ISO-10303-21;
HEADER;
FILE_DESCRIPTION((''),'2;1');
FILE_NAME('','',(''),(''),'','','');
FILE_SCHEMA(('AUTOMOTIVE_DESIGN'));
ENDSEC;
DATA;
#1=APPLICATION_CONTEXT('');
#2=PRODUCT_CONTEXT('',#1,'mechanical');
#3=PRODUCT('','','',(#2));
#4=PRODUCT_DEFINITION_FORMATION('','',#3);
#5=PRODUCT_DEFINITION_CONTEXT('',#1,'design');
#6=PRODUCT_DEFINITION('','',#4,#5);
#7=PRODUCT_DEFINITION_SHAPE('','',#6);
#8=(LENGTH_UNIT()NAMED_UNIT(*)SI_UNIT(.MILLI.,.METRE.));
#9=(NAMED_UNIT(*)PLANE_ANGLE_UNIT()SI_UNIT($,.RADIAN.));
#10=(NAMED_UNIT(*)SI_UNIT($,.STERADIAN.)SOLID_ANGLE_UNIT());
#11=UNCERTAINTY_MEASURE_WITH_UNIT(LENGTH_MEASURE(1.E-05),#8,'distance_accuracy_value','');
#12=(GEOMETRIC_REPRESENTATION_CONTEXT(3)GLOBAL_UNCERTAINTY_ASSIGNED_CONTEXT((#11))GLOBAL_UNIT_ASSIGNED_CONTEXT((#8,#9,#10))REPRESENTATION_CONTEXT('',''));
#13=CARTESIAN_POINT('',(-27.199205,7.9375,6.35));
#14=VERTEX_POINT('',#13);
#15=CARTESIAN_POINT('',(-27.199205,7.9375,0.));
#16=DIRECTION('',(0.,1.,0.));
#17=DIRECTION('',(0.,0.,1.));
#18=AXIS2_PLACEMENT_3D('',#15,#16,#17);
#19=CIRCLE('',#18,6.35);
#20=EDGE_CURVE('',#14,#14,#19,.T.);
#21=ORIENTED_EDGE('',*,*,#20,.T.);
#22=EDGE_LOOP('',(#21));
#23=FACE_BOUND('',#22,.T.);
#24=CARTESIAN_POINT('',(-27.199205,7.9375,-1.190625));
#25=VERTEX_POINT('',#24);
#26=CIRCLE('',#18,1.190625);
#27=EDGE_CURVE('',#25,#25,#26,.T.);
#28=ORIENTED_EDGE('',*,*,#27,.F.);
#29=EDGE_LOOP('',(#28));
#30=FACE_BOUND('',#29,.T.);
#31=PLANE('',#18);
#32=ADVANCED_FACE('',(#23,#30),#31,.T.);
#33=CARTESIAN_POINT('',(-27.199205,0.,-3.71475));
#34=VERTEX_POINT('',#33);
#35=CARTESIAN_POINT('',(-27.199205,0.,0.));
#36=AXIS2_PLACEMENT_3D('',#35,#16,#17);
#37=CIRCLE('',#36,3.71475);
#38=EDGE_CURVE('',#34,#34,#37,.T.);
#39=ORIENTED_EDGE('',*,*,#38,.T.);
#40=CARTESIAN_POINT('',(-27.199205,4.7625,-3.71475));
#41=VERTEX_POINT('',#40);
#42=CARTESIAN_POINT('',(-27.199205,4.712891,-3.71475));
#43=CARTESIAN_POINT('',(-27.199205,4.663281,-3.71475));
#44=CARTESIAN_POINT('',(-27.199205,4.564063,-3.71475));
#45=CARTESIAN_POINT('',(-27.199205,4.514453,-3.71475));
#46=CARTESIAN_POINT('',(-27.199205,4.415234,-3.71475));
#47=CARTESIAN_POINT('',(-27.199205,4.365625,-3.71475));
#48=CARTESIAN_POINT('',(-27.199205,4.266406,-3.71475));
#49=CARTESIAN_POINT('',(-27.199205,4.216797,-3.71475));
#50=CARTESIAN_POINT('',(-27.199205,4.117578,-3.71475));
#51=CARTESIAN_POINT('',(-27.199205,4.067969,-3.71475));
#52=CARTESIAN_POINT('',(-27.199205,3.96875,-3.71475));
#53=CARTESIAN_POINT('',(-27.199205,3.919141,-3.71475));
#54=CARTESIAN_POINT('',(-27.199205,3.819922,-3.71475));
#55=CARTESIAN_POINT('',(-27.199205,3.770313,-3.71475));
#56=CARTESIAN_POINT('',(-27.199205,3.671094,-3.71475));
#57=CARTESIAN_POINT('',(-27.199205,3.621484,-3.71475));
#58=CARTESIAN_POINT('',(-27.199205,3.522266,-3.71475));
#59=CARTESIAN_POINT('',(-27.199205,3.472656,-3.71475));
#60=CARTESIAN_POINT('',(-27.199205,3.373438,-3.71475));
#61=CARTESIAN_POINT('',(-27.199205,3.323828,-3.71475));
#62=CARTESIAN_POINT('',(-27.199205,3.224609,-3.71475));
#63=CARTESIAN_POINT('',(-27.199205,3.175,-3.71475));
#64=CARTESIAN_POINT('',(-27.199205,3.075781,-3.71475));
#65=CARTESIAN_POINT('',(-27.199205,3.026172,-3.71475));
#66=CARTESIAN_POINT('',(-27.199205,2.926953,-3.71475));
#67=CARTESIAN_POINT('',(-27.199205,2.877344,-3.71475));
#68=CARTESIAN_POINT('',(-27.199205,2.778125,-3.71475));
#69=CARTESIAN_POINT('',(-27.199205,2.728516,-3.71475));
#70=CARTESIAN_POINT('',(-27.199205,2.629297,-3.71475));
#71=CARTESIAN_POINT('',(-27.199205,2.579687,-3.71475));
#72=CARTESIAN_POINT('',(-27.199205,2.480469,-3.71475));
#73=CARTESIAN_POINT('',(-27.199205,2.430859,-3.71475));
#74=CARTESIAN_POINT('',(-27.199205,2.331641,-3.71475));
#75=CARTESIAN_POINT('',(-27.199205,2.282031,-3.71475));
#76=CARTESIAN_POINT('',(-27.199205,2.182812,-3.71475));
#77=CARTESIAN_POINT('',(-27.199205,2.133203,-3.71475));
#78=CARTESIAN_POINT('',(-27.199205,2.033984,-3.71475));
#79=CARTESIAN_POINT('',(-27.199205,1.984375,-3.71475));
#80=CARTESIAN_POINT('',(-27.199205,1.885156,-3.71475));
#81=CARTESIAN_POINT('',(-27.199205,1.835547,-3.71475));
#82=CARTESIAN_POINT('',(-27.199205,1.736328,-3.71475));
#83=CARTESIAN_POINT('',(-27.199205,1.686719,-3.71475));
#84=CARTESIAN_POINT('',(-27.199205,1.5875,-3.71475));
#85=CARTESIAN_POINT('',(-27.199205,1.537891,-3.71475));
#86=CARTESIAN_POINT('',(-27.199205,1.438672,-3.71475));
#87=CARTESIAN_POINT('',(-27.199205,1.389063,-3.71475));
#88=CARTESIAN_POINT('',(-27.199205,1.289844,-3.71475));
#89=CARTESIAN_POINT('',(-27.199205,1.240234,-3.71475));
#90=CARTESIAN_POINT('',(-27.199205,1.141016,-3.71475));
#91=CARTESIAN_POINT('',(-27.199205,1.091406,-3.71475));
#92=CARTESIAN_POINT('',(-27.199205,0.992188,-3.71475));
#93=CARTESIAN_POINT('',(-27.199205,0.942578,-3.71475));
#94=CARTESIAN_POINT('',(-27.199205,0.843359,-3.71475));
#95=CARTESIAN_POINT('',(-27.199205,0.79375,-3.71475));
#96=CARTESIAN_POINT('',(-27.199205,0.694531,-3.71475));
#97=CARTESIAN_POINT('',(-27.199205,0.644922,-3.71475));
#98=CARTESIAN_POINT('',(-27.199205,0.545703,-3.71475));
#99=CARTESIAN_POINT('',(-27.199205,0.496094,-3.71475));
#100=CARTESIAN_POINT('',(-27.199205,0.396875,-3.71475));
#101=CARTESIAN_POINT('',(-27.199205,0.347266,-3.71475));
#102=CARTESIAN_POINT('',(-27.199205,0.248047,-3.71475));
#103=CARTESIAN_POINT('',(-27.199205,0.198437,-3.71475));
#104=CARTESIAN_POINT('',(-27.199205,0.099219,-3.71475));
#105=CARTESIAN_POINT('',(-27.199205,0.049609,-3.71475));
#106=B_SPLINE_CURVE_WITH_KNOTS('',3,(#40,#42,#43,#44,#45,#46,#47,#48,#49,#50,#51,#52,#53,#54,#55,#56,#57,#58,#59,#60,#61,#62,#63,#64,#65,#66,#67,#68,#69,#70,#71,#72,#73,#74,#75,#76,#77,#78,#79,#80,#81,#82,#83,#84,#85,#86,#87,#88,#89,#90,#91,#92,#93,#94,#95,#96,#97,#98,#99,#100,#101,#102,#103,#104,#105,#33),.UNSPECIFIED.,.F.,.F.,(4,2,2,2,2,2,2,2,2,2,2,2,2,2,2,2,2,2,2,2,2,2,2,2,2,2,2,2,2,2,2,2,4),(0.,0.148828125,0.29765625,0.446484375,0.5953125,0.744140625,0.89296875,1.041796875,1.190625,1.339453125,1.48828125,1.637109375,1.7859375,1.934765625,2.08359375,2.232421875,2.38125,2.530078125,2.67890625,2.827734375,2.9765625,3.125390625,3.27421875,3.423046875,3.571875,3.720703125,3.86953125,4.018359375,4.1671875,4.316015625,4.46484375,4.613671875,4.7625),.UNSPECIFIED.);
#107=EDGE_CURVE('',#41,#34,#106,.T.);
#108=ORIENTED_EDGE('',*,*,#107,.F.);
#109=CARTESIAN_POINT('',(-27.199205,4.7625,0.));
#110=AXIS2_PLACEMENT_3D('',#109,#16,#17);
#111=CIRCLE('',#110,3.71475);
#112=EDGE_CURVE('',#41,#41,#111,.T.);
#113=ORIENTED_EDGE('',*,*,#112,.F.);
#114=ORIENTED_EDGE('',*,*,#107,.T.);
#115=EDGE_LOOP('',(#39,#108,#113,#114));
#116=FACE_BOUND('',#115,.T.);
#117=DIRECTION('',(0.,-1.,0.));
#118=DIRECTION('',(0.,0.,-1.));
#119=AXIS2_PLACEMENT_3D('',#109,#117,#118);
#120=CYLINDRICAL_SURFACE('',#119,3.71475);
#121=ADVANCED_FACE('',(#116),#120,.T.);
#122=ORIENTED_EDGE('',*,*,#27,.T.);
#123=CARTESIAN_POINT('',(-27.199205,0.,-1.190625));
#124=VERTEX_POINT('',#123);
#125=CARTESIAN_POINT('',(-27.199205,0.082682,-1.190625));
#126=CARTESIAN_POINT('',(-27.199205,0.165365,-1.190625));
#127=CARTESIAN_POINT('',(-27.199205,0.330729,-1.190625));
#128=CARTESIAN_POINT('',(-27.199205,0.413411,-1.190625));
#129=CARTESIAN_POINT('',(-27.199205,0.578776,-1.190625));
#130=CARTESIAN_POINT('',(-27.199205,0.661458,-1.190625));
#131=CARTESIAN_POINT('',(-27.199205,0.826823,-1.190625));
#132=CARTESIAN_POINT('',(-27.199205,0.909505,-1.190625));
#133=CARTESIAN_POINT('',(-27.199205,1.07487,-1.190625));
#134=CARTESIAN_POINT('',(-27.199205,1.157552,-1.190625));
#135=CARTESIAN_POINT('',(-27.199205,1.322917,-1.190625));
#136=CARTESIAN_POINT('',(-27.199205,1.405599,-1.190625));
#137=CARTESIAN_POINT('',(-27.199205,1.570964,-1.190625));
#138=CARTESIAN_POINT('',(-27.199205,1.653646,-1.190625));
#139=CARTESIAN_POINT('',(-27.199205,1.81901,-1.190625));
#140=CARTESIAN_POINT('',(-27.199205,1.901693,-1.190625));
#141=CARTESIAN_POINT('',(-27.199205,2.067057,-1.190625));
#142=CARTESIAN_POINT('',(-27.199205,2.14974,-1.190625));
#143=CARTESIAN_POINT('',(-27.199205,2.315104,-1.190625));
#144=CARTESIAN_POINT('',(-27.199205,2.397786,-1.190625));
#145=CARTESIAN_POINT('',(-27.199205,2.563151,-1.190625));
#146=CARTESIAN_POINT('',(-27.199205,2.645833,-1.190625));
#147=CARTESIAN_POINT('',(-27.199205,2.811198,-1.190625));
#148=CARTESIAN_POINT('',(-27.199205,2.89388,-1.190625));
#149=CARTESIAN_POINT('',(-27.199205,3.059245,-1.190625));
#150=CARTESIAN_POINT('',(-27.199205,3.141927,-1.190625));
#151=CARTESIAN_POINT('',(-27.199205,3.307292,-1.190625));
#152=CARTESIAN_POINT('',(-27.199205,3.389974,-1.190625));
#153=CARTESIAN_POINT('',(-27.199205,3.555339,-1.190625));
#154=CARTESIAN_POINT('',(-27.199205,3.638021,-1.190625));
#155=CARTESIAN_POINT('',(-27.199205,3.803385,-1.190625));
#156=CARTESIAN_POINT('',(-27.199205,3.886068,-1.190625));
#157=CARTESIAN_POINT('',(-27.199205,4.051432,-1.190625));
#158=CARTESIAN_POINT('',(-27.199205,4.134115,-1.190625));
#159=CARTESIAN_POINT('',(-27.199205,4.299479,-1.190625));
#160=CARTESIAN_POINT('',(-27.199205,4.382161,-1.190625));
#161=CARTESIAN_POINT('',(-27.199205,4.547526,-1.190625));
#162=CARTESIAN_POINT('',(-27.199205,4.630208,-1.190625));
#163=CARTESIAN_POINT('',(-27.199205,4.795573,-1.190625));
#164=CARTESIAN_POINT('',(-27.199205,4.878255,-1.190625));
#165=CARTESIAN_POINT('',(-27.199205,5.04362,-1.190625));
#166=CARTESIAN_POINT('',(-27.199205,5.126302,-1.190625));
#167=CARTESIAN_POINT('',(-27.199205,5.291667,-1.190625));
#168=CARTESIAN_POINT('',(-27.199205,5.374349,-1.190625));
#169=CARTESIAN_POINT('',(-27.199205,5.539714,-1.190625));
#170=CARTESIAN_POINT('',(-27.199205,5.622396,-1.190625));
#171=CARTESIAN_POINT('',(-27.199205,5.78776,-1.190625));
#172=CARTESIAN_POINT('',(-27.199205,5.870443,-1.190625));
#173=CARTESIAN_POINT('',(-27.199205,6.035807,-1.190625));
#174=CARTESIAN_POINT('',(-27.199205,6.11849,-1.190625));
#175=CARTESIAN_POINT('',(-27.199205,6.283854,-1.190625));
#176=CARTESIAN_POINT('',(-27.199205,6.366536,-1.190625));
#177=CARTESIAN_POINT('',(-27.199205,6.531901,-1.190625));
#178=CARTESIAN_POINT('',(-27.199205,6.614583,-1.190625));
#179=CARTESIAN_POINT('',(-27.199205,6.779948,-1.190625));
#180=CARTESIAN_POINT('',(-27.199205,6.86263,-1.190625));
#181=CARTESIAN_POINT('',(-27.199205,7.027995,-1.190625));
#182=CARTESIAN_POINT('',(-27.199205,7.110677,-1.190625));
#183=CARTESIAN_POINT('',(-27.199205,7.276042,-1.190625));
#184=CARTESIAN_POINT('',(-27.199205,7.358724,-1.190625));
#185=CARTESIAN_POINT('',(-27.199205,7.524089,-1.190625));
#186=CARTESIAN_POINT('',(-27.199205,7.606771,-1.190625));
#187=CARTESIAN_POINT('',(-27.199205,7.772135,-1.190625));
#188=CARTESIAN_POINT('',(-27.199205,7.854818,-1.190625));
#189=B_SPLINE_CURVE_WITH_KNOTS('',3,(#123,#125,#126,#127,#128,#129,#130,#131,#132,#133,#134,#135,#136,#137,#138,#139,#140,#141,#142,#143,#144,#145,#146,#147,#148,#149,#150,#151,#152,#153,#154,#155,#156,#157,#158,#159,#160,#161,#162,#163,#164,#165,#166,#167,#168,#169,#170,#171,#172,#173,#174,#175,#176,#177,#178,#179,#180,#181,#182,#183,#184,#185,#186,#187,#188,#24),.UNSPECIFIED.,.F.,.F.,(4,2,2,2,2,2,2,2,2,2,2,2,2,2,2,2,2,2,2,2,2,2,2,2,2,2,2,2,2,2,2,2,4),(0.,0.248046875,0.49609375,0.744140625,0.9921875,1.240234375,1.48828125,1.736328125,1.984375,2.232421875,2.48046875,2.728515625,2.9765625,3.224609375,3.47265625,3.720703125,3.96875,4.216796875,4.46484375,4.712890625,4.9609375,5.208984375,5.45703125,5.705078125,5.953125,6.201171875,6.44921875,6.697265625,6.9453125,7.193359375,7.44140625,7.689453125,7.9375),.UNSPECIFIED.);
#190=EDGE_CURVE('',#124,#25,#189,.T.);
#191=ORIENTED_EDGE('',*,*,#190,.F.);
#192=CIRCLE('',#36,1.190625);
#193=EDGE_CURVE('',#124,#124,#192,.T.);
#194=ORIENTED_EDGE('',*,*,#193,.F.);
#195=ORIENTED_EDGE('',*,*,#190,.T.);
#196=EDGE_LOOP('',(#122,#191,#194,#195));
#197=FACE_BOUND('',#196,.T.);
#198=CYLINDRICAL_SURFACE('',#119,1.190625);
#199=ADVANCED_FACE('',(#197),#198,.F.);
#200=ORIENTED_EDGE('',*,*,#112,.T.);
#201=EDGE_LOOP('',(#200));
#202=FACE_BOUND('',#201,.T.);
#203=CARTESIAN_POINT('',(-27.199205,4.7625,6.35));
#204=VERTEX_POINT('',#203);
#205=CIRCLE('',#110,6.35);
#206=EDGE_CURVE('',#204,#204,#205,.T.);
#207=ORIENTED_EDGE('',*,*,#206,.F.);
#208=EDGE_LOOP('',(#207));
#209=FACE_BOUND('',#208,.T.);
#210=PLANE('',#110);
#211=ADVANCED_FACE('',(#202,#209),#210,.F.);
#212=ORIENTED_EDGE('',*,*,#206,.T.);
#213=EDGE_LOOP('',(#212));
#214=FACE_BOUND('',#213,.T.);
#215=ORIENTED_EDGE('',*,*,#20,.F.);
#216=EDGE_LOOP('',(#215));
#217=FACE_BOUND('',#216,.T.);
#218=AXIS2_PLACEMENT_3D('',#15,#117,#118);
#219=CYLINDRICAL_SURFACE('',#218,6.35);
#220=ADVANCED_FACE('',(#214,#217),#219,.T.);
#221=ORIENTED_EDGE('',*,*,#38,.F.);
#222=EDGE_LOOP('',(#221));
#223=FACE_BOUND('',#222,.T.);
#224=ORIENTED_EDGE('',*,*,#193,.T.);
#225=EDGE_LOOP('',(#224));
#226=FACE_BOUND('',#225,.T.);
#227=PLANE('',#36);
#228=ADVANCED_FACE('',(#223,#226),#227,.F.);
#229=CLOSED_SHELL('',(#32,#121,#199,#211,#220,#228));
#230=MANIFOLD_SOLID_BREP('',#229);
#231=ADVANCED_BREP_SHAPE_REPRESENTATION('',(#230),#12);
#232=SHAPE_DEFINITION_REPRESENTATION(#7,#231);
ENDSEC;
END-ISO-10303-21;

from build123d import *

# Parameters (mm, degrees)
SKETCH1_R           = 3.71475
SKETCH1_R_2         = 1.190625
BOSS_EXTRUDE1_DEPTH = 4.7625
SKETCH3_R           = 6.35
SKETCH3_R_2         = 1.190625
BOSS_EXTRUDE2_DEPTH = 3.175


with BuildPart() as part:
    # Sketch1 → Boss-Extrude1 (new body)
    with BuildSketch(Plane(origin=(0, 0, 0), x_dir=(1, 0, 0), z_dir=(0, 1, 0))):
        with Locations(Location((-27.199205157, 0, 0), (0, 0, 90))):
            Circle(SKETCH1_R)
        with Locations(Location((-27.199205157, 0, 0), (0, 0, 90))):
            Circle(SKETCH1_R_2, mode=Mode.SUBTRACT)
    extrude(amount=BOSS_EXTRUDE1_DEPTH)

    # Sketch3 → Boss-Extrude2 (add)
    with BuildSketch(Plane(origin=(0, 4.7625, 0), x_dir=(1, 0, 0), z_dir=(0, 1, 0))):
        with Locations(Location((-27.199205157, 0, 0), (0, 0, 270))):
            Circle(SKETCH3_R)
        with Locations(Location((-27.199205157, 0, 0), (0, 0, 90))):
            Circle(SKETCH3_R_2, mode=Mode.SUBTRACT)
    extrude(amount=BOSS_EXTRUDE2_DEPTH)


solid = part.part
